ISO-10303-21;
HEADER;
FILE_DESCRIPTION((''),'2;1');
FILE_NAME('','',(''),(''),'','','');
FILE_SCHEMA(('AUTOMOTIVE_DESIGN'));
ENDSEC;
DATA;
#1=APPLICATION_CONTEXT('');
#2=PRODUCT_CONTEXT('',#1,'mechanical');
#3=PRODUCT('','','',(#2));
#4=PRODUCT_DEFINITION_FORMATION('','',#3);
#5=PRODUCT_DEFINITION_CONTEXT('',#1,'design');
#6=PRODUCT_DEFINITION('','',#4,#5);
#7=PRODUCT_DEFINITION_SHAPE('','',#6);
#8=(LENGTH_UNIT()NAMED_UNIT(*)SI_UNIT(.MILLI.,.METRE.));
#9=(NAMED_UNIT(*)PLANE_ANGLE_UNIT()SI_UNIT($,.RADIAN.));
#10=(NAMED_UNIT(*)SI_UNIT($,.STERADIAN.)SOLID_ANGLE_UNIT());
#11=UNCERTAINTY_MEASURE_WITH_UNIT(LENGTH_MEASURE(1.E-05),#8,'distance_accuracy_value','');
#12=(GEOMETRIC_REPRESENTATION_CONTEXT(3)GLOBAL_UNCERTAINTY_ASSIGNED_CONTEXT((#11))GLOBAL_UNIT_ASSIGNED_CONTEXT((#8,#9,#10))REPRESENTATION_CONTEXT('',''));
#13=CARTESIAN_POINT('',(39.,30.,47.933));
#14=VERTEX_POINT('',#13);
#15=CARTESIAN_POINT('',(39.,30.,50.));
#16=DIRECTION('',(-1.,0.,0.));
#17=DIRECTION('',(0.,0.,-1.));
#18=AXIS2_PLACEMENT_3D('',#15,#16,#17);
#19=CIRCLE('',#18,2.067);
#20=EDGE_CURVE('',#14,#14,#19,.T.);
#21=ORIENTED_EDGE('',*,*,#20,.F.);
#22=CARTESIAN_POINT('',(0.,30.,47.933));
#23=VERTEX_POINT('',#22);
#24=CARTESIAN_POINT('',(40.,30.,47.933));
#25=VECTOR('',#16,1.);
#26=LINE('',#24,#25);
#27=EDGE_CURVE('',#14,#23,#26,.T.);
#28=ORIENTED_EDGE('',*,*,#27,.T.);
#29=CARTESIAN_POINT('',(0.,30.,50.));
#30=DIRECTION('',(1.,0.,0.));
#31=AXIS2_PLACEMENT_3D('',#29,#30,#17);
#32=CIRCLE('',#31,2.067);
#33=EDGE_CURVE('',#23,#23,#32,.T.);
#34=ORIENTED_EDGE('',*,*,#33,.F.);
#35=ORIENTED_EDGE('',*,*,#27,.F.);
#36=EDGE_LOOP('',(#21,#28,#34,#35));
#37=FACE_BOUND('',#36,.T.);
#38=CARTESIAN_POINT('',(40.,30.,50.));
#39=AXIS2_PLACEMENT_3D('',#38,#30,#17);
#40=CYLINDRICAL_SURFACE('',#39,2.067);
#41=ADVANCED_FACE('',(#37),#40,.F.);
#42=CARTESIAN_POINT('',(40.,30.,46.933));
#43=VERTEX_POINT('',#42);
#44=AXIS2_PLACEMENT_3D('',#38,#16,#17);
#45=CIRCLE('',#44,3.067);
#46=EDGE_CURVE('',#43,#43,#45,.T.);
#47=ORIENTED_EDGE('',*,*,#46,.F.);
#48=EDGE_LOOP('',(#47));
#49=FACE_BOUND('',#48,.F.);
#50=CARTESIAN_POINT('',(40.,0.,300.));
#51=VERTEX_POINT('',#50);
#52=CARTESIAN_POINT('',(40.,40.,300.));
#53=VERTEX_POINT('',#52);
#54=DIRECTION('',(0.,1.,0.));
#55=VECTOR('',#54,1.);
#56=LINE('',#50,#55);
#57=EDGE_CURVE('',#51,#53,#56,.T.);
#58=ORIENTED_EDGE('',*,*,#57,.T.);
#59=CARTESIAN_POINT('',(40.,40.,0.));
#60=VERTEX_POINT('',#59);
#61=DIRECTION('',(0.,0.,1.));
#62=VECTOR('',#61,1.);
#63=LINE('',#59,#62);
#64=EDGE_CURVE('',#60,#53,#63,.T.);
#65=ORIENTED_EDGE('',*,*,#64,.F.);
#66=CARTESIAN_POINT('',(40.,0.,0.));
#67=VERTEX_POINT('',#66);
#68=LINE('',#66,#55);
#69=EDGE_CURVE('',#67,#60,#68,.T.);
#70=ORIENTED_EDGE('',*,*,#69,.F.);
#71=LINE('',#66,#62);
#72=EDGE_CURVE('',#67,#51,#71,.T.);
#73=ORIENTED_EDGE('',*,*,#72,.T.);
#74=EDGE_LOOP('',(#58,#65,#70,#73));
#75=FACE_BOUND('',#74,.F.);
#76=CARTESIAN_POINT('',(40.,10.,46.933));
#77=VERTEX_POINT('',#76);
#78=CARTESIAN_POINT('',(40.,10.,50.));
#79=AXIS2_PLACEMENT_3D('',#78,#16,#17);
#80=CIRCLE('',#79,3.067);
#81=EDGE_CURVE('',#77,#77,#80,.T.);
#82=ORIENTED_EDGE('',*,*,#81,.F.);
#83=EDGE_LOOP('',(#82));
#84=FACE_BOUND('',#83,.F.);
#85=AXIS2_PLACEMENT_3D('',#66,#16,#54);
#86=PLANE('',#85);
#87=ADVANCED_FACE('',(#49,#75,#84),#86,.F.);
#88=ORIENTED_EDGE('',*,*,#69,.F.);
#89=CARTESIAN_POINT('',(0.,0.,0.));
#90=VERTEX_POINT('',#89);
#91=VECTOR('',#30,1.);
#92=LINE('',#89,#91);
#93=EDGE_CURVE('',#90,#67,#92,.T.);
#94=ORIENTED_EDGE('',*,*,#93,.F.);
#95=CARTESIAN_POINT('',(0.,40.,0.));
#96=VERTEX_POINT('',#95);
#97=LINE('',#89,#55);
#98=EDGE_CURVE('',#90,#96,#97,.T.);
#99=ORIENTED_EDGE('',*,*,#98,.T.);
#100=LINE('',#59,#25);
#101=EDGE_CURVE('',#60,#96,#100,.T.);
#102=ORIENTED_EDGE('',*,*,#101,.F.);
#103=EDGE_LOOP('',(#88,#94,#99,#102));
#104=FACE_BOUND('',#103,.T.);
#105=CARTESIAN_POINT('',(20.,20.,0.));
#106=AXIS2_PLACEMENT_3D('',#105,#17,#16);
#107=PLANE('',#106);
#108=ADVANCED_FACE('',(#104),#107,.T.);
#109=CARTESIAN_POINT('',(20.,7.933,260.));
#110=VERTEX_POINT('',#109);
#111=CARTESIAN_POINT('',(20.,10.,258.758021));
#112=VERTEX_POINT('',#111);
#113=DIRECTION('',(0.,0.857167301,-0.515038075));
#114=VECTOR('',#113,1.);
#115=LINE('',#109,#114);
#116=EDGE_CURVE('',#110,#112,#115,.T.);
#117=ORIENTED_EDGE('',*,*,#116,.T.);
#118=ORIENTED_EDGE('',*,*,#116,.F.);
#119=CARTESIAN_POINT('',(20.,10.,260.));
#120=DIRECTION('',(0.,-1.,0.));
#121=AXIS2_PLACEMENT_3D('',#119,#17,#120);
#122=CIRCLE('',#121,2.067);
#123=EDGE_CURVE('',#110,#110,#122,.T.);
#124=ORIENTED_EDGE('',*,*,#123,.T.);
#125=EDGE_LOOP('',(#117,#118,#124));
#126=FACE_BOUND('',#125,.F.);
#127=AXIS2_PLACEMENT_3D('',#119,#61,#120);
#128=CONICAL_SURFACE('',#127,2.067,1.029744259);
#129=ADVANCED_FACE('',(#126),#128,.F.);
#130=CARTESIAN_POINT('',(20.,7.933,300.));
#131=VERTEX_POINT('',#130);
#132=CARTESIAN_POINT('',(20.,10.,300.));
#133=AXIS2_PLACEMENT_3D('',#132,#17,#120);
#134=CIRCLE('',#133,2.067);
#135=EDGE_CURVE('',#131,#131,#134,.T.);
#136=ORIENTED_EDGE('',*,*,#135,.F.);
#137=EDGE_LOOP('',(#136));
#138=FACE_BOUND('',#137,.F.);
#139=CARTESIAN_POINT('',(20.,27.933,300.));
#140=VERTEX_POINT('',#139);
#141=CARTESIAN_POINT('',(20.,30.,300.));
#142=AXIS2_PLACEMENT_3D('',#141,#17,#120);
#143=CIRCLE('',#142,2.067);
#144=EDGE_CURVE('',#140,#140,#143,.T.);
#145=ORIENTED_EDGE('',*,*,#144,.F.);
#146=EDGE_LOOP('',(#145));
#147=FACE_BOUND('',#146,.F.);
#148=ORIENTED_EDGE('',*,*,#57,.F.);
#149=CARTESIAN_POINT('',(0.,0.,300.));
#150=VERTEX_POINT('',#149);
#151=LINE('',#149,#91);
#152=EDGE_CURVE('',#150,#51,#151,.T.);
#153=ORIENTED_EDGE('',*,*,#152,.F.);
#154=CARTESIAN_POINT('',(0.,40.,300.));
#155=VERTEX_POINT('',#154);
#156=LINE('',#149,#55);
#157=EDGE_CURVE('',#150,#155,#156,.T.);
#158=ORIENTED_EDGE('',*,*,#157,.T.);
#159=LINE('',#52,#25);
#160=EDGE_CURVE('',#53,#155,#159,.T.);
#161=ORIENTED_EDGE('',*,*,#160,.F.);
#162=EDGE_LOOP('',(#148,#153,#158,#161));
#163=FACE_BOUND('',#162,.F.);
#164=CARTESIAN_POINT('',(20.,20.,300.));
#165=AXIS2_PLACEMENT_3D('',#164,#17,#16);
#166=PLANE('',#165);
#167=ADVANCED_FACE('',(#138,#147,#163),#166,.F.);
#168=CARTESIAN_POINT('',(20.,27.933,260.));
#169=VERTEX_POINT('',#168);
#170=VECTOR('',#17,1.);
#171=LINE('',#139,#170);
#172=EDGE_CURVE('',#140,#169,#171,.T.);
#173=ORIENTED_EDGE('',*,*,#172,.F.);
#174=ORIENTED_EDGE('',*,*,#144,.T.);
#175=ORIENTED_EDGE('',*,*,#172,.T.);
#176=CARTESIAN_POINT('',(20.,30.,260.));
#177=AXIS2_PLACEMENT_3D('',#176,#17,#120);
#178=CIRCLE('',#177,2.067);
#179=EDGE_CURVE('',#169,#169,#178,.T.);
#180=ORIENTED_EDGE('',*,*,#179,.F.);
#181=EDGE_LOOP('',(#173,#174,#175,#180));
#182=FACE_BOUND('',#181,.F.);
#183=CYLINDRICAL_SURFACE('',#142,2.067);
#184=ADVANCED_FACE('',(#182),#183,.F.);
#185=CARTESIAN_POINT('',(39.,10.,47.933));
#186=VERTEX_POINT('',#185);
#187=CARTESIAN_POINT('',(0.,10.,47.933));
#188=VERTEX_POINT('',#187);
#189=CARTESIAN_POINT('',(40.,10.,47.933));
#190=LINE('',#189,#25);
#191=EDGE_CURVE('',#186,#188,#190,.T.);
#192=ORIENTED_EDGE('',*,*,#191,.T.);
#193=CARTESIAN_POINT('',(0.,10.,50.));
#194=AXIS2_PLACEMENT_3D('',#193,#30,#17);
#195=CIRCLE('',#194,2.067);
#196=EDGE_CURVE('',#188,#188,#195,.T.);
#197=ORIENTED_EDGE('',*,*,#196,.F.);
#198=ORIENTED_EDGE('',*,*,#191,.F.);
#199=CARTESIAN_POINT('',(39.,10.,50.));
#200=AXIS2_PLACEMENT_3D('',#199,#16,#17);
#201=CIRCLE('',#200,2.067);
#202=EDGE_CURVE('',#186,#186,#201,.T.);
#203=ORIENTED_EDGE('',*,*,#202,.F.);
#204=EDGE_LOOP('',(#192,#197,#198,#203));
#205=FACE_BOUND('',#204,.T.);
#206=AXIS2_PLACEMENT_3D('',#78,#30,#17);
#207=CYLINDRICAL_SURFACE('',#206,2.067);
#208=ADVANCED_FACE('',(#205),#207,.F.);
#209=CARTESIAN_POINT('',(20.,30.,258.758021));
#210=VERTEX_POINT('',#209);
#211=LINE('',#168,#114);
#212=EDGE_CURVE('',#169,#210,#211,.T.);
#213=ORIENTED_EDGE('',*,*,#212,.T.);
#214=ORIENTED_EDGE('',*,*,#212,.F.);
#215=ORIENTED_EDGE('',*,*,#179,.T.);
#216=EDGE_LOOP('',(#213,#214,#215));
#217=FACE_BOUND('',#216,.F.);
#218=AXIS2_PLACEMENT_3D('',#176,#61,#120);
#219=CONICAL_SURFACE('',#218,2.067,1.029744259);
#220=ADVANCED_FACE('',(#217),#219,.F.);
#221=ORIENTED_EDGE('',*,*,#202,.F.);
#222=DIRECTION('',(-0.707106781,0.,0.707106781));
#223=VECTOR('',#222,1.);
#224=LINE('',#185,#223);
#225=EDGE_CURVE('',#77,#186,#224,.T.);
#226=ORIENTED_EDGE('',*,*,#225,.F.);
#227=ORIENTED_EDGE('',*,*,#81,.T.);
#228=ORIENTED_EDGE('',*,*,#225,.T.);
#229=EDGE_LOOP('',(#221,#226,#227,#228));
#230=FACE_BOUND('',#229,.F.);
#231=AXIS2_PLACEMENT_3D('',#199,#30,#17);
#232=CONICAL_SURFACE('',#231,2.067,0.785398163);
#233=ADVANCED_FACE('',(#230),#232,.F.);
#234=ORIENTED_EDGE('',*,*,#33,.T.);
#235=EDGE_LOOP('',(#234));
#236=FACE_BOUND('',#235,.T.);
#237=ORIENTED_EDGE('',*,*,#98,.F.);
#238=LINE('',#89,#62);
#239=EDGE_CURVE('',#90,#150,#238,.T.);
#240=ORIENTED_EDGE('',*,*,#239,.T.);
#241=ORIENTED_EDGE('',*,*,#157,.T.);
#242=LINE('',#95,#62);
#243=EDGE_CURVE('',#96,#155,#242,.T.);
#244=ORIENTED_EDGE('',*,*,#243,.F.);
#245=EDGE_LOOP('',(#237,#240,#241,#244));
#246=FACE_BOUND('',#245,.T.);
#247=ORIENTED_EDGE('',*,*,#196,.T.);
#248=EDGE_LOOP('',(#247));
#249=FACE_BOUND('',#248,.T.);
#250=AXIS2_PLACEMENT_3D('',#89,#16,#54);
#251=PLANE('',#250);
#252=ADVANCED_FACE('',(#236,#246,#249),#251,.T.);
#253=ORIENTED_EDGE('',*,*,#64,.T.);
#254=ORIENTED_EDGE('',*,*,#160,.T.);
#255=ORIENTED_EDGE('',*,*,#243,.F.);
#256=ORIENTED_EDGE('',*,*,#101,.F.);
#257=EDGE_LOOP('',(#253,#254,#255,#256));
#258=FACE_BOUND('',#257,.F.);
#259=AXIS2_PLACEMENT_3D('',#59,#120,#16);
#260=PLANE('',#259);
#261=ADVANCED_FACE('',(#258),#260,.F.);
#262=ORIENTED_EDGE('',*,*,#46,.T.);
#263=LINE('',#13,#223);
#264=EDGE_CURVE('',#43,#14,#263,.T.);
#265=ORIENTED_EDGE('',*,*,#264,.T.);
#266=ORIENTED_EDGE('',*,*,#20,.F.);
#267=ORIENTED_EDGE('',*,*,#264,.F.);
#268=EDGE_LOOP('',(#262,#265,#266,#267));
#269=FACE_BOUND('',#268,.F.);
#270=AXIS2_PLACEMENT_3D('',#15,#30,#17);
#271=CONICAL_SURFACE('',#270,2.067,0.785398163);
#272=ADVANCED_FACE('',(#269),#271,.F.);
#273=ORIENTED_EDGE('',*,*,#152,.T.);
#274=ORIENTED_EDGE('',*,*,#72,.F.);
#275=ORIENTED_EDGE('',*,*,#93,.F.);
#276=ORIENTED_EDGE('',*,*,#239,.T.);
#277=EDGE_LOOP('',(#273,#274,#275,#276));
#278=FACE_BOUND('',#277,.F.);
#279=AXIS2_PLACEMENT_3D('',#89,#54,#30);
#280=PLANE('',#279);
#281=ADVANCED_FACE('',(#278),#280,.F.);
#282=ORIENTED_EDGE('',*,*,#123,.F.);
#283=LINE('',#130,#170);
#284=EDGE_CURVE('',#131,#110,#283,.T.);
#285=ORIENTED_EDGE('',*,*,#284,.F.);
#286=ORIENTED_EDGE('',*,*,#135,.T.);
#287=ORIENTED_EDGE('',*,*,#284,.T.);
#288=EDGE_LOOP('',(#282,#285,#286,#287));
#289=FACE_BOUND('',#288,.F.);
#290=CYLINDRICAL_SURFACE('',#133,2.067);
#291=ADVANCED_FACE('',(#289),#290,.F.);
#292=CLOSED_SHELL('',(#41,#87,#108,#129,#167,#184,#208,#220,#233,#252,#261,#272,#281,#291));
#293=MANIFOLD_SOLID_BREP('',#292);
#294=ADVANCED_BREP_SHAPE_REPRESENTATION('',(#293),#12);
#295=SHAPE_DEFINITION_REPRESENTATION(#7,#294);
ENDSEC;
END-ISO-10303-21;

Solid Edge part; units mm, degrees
sketch "Sketch1" plane through (0, 0, 0) normal (0, 0, 1) x (1, 0, 0)
  line L0 (0, 0) -> (0, 40)
  line L1 (40, 40) -> (0, 40)
  line L2 (40, 0) -> (40, 40)
  line L3 (0, 0) -> (40, 0)
extrude "Protrusion1" add sketch "Sketch1" along normal blind 300
hole "Bohrung_1" at (20, 10, 300) direction (0, 0, -1) diameter 4.134 depth 40 tip angle 118
hole "Hole1" at (20, 30, 300) direction (0, 0, -1) diameter 4.134 depth 40 tip angle 118
hole "Bohrung_3" at (40, 10, 50) direction (-1, 0, 0) diameter 4.134 end through all start chamfer 1 start chamfer angle 45
hole "Hole2" at (40, 30, 50) direction (-1, 0, 0) diameter 4.134 end through all start chamfer 1 start chamfer angle 45
